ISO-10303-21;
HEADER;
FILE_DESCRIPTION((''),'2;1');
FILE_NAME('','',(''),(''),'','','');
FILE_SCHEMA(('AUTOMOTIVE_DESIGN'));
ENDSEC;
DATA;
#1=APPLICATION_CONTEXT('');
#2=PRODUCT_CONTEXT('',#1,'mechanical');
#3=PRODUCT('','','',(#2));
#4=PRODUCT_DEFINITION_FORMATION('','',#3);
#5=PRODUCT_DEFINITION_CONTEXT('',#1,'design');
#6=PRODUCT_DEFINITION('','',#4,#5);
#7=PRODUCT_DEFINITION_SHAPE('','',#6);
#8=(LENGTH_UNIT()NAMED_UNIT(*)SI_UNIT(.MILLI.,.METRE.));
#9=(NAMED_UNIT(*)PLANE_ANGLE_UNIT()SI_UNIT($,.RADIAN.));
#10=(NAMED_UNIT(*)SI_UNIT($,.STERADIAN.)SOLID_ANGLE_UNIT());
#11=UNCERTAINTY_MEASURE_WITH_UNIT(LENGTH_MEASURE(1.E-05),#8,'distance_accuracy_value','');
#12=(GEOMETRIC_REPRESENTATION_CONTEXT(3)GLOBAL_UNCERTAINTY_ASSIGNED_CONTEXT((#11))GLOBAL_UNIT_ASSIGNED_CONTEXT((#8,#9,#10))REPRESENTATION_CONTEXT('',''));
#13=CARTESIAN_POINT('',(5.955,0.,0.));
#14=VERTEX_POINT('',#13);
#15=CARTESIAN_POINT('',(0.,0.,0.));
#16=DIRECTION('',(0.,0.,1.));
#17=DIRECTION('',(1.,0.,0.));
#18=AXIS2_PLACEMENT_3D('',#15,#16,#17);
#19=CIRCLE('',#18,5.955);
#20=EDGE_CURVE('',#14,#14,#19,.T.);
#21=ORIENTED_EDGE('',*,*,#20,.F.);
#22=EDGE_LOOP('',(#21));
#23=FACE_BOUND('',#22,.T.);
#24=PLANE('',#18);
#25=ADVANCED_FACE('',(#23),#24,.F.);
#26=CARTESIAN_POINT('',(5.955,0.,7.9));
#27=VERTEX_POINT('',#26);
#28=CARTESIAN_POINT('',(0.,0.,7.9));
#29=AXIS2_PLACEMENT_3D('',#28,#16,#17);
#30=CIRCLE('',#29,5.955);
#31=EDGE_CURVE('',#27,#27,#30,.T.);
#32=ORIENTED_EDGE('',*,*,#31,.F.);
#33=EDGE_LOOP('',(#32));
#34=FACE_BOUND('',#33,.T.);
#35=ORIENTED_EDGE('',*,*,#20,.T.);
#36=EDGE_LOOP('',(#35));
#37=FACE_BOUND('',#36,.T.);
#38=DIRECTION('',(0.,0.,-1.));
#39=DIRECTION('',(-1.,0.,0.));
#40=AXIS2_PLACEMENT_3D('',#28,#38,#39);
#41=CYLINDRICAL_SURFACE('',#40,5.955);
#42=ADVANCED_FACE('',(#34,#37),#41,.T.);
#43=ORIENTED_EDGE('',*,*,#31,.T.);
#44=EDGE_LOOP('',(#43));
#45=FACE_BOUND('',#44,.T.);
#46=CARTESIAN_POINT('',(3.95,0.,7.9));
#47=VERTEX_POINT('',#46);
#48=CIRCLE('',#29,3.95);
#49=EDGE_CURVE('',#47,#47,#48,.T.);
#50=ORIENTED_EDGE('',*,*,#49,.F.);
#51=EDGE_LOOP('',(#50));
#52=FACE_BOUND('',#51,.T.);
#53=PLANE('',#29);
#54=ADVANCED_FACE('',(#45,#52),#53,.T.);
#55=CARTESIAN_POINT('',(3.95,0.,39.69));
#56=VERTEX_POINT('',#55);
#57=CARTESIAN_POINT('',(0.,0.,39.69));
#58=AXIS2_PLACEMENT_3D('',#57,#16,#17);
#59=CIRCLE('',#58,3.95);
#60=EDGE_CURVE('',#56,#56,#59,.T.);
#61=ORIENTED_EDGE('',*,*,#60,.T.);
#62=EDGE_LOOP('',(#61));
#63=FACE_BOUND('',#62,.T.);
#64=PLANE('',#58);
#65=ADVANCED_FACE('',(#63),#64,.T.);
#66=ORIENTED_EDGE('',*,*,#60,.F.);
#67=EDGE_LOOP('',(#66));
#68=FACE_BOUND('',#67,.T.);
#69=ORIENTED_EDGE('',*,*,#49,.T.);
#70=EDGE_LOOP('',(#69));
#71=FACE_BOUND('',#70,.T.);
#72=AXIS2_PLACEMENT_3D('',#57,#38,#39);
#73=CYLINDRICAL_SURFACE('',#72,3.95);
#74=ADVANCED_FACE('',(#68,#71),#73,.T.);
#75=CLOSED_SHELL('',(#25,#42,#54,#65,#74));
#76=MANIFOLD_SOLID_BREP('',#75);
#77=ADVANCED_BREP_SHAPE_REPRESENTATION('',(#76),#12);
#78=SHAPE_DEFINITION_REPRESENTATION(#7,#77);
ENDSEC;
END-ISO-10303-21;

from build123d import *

# Parameters (mm, degrees)
SKETCH1_R   = 5.955
HEAD_DEPTH  = 7.9
SKETCH2_R   = 3.95
SHANK_DEPTH = 31.79


with BuildPart() as part:
    # Sketch1 → Head (new body)
    with BuildSketch(Plane.XY):
        Circle(SKETCH1_R)
    extrude(amount=HEAD_DEPTH)

    # Sketch2 → Shank (add)
    with BuildSketch(Plane.XY.offset(7.9)):
        Circle(SKETCH2_R)
    extrude(amount=SHANK_DEPTH)


solid = part.part
